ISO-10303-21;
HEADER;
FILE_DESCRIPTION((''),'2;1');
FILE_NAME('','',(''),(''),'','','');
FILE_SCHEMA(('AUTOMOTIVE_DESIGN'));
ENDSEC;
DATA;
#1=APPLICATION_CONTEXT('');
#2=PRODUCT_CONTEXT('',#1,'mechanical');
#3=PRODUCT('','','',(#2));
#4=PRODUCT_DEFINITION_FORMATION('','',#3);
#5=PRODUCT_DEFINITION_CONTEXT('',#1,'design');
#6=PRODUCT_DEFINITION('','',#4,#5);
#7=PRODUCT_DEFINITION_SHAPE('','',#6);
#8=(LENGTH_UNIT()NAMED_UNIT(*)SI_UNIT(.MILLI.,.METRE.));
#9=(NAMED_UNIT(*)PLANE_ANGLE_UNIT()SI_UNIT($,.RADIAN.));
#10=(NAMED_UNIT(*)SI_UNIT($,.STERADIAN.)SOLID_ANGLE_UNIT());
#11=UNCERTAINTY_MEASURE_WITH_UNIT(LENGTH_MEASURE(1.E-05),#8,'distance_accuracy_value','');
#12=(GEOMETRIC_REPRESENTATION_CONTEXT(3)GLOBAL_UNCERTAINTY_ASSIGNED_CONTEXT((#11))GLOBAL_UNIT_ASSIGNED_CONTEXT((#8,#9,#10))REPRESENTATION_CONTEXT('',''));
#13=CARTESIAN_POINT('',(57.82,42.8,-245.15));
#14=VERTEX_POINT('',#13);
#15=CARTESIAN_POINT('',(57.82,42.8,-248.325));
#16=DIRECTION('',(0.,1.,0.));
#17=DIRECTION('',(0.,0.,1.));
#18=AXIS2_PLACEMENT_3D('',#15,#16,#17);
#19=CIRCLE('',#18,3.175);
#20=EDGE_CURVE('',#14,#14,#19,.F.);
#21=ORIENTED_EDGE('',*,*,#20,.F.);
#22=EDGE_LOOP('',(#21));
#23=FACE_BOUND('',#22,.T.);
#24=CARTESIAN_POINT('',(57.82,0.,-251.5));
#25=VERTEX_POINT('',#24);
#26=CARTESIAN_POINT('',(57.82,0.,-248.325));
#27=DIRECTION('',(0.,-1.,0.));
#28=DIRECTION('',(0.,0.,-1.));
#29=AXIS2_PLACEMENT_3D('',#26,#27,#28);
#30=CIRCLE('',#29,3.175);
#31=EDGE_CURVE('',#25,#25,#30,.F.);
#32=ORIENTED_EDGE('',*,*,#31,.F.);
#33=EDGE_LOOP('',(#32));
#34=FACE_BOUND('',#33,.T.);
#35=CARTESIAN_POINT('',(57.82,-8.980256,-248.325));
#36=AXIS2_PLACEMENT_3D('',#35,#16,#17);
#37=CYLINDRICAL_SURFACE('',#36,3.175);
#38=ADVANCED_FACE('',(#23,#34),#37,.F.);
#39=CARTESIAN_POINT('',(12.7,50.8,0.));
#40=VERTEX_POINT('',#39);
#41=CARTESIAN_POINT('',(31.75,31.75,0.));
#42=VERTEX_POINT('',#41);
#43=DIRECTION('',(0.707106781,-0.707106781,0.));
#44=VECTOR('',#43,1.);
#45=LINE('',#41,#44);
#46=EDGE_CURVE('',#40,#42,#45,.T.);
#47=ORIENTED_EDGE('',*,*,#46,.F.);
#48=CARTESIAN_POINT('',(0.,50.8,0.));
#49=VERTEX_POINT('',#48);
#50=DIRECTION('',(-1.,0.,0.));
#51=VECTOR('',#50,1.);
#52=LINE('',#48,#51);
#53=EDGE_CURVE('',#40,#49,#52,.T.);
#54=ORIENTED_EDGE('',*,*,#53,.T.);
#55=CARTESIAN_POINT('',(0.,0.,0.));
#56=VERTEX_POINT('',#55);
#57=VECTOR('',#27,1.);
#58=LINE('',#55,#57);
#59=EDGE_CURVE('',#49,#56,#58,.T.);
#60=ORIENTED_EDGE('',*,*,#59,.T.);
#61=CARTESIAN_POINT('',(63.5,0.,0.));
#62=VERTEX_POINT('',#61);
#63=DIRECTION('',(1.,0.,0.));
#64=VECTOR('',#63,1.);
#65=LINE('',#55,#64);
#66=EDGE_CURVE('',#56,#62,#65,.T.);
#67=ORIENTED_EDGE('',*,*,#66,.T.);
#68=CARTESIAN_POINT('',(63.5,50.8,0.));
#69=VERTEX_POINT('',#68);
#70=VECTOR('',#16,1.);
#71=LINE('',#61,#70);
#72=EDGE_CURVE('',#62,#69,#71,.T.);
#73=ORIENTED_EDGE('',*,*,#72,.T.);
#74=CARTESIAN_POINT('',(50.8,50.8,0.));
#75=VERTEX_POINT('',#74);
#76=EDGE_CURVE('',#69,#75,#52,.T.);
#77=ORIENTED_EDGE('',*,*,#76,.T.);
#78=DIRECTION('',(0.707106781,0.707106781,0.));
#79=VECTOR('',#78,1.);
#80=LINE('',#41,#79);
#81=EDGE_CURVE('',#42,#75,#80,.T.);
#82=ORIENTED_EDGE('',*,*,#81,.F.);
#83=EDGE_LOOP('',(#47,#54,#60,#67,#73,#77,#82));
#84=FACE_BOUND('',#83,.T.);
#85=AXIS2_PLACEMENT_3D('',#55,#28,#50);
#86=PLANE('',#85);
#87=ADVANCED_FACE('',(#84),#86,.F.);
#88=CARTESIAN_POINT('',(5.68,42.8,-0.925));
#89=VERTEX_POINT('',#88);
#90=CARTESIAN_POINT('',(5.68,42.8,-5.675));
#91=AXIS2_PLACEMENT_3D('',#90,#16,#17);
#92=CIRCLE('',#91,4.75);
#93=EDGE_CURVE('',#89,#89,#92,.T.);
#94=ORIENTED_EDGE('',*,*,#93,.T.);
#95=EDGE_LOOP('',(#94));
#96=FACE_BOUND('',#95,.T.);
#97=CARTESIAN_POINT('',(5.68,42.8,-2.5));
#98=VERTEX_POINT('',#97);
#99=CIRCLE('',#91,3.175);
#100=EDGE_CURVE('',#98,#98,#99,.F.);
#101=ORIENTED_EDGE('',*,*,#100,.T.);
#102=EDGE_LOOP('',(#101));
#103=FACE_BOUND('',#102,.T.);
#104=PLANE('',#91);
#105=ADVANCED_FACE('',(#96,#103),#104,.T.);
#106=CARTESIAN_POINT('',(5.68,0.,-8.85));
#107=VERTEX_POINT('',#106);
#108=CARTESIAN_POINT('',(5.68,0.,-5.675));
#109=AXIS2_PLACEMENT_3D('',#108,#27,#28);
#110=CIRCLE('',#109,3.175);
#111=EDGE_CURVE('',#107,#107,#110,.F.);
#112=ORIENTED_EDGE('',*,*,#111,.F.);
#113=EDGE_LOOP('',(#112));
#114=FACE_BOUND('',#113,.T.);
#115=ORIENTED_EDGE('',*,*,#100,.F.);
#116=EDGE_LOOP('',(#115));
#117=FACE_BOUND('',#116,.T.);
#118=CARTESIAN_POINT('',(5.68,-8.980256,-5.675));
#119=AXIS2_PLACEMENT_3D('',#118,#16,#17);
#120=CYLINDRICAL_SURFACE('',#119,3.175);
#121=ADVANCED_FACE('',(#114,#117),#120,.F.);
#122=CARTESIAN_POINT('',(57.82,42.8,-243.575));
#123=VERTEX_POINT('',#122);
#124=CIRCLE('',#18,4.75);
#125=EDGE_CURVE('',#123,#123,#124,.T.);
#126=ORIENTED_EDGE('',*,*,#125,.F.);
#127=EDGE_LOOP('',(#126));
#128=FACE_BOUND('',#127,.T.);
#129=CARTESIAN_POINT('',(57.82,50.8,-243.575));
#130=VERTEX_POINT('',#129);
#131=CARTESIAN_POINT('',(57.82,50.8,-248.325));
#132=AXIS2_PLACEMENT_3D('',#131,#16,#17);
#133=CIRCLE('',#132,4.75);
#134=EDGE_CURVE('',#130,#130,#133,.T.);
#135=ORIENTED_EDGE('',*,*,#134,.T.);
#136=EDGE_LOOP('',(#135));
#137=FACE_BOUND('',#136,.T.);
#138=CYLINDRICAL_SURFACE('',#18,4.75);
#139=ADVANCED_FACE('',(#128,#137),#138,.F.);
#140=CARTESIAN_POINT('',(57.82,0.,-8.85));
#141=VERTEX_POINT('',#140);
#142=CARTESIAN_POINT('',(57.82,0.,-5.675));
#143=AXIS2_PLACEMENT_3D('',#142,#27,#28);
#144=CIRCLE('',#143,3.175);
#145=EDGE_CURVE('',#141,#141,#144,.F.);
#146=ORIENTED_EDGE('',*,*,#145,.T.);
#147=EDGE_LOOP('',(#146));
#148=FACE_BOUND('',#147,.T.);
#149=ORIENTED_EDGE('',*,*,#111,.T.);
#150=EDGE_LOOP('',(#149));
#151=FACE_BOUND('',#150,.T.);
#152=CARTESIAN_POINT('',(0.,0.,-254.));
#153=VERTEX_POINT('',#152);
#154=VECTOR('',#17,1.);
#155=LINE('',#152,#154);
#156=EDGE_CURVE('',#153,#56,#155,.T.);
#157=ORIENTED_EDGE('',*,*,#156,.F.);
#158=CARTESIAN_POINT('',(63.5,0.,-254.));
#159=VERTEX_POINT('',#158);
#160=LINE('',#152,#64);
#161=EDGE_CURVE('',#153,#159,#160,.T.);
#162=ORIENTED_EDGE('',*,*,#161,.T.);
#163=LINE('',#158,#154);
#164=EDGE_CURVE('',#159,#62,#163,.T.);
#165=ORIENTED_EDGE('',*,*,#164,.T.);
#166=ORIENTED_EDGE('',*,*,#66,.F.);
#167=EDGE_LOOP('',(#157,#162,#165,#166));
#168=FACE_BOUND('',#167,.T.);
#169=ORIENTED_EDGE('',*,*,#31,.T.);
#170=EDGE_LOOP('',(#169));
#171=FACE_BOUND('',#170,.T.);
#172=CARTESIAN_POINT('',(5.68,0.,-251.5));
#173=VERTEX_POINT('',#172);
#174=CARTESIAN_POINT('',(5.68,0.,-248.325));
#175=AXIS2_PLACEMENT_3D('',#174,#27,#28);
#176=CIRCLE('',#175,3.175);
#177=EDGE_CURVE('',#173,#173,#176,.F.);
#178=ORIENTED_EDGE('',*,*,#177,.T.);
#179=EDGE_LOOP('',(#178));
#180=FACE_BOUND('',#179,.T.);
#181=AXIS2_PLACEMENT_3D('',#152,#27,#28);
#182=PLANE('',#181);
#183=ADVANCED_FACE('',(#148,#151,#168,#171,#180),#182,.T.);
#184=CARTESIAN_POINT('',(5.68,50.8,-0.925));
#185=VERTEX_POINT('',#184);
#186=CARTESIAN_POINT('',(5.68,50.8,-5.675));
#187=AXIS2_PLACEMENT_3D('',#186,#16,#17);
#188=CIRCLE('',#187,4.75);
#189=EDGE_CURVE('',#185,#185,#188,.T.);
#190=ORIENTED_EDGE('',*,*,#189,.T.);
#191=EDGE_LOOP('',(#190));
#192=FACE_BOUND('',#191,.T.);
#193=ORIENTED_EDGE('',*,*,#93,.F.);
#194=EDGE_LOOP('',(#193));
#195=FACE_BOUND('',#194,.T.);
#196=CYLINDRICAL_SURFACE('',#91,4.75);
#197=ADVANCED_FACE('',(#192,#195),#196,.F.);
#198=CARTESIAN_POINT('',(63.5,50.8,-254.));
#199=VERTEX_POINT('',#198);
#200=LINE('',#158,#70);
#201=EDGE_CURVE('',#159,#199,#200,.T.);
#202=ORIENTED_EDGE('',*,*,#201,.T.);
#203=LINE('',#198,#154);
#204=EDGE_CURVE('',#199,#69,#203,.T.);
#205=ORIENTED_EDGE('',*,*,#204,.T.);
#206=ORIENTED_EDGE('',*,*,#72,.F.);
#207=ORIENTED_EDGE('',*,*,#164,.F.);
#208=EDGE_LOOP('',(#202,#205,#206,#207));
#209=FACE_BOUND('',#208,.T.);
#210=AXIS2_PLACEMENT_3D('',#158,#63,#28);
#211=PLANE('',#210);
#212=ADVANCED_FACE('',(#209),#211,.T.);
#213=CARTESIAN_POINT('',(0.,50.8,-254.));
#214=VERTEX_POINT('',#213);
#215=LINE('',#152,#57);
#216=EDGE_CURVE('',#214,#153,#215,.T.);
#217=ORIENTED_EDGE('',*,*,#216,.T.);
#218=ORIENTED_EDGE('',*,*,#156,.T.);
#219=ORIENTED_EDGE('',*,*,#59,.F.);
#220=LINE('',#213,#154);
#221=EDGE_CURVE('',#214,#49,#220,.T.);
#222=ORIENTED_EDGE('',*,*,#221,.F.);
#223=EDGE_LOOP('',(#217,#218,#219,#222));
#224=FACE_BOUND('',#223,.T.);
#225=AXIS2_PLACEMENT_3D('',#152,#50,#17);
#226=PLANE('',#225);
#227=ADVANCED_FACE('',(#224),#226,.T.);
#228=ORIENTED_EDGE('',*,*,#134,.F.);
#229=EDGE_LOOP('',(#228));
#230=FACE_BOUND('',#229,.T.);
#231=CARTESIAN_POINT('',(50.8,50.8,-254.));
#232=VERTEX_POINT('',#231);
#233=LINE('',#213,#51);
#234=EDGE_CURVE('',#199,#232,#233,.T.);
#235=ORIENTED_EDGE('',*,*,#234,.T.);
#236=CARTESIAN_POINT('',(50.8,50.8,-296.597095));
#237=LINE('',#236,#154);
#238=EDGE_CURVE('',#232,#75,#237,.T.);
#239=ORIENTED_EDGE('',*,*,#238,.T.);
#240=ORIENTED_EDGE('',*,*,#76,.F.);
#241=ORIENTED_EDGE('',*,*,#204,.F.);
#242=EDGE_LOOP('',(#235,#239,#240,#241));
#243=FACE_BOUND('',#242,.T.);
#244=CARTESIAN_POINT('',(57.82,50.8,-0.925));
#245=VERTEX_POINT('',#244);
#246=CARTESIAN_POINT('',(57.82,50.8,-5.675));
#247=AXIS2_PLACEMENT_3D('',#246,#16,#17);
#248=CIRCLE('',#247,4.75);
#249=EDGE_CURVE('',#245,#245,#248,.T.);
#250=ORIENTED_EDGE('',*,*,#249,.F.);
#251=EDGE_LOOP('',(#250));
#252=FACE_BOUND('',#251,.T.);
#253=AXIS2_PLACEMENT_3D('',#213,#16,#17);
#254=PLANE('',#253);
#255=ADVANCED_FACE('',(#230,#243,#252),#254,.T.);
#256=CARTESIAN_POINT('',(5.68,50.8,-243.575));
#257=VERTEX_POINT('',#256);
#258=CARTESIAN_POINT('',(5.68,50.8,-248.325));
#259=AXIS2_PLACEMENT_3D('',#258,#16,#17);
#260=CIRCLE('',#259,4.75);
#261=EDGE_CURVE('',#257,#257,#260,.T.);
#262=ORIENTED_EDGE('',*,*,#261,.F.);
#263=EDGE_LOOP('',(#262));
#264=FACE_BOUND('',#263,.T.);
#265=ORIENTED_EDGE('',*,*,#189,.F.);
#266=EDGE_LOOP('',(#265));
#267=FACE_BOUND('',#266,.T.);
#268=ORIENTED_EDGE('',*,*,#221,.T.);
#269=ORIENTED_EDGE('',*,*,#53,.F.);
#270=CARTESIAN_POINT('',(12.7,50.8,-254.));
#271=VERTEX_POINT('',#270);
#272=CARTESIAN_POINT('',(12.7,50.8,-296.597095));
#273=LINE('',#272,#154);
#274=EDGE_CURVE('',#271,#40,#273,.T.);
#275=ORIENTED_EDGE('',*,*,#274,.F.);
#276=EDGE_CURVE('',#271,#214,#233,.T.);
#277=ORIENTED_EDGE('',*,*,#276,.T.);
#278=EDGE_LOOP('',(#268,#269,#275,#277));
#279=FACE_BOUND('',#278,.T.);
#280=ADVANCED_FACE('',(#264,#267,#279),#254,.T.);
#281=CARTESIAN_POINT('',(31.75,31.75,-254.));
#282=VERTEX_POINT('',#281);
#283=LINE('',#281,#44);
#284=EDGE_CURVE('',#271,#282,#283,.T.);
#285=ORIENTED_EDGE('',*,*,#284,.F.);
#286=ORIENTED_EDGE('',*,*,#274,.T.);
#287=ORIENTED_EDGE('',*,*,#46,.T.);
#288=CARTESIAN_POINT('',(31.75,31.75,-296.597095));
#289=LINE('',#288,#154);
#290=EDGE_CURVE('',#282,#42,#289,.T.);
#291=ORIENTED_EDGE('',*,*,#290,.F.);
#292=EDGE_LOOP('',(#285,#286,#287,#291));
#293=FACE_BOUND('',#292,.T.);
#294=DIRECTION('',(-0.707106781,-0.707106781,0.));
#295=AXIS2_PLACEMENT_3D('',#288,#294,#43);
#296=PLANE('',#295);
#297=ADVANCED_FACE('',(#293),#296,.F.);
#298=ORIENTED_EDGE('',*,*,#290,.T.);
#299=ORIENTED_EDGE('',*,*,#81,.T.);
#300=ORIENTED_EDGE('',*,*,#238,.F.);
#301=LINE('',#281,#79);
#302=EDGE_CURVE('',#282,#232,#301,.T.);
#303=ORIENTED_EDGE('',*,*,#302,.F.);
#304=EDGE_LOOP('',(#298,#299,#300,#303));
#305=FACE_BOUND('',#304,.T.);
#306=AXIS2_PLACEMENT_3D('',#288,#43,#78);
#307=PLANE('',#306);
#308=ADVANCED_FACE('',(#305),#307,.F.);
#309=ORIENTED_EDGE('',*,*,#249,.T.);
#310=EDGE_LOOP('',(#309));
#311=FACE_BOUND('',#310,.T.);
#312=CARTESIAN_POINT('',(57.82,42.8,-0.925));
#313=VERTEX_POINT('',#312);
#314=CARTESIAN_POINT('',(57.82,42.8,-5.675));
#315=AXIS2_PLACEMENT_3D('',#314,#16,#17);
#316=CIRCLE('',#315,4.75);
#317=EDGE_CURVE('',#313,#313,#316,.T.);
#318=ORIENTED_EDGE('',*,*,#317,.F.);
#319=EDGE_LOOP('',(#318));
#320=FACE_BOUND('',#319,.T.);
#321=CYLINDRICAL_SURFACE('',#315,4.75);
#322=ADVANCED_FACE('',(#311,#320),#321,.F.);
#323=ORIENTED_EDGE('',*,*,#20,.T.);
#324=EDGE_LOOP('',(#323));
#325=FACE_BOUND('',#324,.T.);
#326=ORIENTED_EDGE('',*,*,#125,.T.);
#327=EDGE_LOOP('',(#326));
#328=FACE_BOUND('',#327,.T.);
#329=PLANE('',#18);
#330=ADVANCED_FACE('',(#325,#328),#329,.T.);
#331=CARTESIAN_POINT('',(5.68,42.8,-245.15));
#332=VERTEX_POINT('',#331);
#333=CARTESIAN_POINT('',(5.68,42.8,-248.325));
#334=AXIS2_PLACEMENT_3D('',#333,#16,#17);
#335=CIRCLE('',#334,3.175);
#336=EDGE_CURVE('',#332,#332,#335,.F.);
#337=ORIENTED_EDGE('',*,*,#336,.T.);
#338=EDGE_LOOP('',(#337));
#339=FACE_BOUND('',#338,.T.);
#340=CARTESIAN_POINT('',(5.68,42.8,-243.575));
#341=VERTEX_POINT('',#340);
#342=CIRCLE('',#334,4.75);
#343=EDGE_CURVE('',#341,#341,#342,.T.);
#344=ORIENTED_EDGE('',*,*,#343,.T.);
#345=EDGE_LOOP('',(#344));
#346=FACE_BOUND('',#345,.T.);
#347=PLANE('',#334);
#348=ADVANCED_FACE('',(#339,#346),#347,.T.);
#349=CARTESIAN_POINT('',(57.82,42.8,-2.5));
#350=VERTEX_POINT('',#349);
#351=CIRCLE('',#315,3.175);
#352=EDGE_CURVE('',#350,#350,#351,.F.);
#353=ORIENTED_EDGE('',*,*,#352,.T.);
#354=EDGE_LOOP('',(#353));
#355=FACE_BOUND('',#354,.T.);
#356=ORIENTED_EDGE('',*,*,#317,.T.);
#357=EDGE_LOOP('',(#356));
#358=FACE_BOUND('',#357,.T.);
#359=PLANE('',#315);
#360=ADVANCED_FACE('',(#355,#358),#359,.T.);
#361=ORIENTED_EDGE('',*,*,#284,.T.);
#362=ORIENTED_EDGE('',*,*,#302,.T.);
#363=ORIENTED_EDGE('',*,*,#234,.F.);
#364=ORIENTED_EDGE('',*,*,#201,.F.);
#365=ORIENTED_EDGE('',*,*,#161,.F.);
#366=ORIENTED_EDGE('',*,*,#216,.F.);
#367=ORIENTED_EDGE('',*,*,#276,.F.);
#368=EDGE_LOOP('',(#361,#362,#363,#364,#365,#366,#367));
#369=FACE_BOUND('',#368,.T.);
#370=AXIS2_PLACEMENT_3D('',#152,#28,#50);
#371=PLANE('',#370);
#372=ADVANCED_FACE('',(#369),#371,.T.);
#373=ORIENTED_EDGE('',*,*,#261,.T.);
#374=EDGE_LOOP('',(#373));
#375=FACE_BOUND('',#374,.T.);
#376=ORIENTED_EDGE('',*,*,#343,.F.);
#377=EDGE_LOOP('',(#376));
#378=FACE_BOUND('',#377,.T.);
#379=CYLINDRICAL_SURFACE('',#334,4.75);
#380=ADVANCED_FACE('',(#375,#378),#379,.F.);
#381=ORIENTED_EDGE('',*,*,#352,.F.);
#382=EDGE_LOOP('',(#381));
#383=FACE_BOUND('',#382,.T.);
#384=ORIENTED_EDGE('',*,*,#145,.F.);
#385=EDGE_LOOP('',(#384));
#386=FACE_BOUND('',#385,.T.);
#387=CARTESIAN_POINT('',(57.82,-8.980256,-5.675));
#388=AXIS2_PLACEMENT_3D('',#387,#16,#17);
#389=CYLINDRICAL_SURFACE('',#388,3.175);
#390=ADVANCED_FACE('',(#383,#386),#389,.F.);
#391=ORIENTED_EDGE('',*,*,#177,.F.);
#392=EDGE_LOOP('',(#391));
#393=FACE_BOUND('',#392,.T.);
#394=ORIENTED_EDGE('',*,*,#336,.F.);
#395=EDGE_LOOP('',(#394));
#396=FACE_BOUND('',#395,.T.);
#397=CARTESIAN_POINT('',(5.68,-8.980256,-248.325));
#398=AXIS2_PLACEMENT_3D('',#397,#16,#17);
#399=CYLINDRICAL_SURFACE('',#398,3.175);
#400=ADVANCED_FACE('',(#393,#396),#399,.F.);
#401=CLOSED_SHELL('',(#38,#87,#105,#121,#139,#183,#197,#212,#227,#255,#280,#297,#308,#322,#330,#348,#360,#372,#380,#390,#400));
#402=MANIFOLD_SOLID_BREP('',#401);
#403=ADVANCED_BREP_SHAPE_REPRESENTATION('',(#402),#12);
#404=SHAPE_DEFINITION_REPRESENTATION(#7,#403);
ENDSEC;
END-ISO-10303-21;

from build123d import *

# Parameters (mm, degrees)
CROQUIS2_W              = 63.5
CROQUIS2_H              = 50.8
SALIENTE_EXTRUIR1_DEPTH = 254
CROQUIS5_R              = 3.175
CORTAR_EXTRUIR3_DEPTH   = 50.8
CROQUIS10_R             = 4.75
CORTAR_EXTRUIR5_DEPTH   = 8
CORTAR_EXTRUIR6_DEPTH   = 254
CROQUIS12_R             = 4.75
CORTAR_EXTRUIR7_DEPTH   = 8


with BuildPart() as part:
    # Croquis2 → Saliente-Extruir1 (new body)
    with BuildSketch(Plane.XY):
        with Locations((31.75, 25.4)):
            Rectangle(CROQUIS2_W, CROQUIS2_H)
    extrude(amount=-SALIENTE_EXTRUIR1_DEPTH)

    # Croquis5 → Cortar-Extruir3 (cut)
    with BuildSketch(Plane(origin=(0, 50.8, 0), x_dir=(1, 0, 0), z_dir=(0, 1, 0))):
        with Locations((57.82, 5.675)):
            Circle(CROQUIS5_R)
        with Locations((5.68, 5.675)):
            Circle(CROQUIS5_R)
        with Locations((5.68, 248.325)):
            Circle(CROQUIS5_R)
        with Locations((57.82, 248.325)):
            Circle(CROQUIS5_R)
    extrude(amount=-CORTAR_EXTRUIR3_DEPTH, mode=Mode.SUBTRACT)

    # Croquis10 → Cortar-Extruir5 (cut)
    with BuildSketch(Plane(origin=(0, 50.8, 0), x_dir=(1, 0, 0), z_dir=(0, 1, 0))):
        with Locations((57.82, 5.675)):
            Circle(CROQUIS10_R)
        with Locations((5.68, 5.675)):
            Circle(CROQUIS10_R)
    extrude(amount=-CORTAR_EXTRUIR5_DEPTH, mode=Mode.SUBTRACT)

    # Croquis11 → Cortar-Extruir6 (cut)
    with BuildSketch(Plane.XY):
        Polygon((31.75, 31.75), (50.8, 50.8), (12.7, 50.8), align=None)
    extrude(amount=-CORTAR_EXTRUIR6_DEPTH, mode=Mode.SUBTRACT)

    # Croquis12 → Cortar-Extruir7 (cut)
    with BuildSketch(Plane(origin=(0, 50.8, 0), x_dir=(1, 0, 0), z_dir=(0, 1, 0))):
        with Locations((57.82, 248.325)):
            Circle(CROQUIS12_R)
        with Locations((5.68, 248.325)):
            Circle(CROQUIS12_R)
    extrude(amount=-CORTAR_EXTRUIR7_DEPTH, mode=Mode.SUBTRACT)


solid = part.part
